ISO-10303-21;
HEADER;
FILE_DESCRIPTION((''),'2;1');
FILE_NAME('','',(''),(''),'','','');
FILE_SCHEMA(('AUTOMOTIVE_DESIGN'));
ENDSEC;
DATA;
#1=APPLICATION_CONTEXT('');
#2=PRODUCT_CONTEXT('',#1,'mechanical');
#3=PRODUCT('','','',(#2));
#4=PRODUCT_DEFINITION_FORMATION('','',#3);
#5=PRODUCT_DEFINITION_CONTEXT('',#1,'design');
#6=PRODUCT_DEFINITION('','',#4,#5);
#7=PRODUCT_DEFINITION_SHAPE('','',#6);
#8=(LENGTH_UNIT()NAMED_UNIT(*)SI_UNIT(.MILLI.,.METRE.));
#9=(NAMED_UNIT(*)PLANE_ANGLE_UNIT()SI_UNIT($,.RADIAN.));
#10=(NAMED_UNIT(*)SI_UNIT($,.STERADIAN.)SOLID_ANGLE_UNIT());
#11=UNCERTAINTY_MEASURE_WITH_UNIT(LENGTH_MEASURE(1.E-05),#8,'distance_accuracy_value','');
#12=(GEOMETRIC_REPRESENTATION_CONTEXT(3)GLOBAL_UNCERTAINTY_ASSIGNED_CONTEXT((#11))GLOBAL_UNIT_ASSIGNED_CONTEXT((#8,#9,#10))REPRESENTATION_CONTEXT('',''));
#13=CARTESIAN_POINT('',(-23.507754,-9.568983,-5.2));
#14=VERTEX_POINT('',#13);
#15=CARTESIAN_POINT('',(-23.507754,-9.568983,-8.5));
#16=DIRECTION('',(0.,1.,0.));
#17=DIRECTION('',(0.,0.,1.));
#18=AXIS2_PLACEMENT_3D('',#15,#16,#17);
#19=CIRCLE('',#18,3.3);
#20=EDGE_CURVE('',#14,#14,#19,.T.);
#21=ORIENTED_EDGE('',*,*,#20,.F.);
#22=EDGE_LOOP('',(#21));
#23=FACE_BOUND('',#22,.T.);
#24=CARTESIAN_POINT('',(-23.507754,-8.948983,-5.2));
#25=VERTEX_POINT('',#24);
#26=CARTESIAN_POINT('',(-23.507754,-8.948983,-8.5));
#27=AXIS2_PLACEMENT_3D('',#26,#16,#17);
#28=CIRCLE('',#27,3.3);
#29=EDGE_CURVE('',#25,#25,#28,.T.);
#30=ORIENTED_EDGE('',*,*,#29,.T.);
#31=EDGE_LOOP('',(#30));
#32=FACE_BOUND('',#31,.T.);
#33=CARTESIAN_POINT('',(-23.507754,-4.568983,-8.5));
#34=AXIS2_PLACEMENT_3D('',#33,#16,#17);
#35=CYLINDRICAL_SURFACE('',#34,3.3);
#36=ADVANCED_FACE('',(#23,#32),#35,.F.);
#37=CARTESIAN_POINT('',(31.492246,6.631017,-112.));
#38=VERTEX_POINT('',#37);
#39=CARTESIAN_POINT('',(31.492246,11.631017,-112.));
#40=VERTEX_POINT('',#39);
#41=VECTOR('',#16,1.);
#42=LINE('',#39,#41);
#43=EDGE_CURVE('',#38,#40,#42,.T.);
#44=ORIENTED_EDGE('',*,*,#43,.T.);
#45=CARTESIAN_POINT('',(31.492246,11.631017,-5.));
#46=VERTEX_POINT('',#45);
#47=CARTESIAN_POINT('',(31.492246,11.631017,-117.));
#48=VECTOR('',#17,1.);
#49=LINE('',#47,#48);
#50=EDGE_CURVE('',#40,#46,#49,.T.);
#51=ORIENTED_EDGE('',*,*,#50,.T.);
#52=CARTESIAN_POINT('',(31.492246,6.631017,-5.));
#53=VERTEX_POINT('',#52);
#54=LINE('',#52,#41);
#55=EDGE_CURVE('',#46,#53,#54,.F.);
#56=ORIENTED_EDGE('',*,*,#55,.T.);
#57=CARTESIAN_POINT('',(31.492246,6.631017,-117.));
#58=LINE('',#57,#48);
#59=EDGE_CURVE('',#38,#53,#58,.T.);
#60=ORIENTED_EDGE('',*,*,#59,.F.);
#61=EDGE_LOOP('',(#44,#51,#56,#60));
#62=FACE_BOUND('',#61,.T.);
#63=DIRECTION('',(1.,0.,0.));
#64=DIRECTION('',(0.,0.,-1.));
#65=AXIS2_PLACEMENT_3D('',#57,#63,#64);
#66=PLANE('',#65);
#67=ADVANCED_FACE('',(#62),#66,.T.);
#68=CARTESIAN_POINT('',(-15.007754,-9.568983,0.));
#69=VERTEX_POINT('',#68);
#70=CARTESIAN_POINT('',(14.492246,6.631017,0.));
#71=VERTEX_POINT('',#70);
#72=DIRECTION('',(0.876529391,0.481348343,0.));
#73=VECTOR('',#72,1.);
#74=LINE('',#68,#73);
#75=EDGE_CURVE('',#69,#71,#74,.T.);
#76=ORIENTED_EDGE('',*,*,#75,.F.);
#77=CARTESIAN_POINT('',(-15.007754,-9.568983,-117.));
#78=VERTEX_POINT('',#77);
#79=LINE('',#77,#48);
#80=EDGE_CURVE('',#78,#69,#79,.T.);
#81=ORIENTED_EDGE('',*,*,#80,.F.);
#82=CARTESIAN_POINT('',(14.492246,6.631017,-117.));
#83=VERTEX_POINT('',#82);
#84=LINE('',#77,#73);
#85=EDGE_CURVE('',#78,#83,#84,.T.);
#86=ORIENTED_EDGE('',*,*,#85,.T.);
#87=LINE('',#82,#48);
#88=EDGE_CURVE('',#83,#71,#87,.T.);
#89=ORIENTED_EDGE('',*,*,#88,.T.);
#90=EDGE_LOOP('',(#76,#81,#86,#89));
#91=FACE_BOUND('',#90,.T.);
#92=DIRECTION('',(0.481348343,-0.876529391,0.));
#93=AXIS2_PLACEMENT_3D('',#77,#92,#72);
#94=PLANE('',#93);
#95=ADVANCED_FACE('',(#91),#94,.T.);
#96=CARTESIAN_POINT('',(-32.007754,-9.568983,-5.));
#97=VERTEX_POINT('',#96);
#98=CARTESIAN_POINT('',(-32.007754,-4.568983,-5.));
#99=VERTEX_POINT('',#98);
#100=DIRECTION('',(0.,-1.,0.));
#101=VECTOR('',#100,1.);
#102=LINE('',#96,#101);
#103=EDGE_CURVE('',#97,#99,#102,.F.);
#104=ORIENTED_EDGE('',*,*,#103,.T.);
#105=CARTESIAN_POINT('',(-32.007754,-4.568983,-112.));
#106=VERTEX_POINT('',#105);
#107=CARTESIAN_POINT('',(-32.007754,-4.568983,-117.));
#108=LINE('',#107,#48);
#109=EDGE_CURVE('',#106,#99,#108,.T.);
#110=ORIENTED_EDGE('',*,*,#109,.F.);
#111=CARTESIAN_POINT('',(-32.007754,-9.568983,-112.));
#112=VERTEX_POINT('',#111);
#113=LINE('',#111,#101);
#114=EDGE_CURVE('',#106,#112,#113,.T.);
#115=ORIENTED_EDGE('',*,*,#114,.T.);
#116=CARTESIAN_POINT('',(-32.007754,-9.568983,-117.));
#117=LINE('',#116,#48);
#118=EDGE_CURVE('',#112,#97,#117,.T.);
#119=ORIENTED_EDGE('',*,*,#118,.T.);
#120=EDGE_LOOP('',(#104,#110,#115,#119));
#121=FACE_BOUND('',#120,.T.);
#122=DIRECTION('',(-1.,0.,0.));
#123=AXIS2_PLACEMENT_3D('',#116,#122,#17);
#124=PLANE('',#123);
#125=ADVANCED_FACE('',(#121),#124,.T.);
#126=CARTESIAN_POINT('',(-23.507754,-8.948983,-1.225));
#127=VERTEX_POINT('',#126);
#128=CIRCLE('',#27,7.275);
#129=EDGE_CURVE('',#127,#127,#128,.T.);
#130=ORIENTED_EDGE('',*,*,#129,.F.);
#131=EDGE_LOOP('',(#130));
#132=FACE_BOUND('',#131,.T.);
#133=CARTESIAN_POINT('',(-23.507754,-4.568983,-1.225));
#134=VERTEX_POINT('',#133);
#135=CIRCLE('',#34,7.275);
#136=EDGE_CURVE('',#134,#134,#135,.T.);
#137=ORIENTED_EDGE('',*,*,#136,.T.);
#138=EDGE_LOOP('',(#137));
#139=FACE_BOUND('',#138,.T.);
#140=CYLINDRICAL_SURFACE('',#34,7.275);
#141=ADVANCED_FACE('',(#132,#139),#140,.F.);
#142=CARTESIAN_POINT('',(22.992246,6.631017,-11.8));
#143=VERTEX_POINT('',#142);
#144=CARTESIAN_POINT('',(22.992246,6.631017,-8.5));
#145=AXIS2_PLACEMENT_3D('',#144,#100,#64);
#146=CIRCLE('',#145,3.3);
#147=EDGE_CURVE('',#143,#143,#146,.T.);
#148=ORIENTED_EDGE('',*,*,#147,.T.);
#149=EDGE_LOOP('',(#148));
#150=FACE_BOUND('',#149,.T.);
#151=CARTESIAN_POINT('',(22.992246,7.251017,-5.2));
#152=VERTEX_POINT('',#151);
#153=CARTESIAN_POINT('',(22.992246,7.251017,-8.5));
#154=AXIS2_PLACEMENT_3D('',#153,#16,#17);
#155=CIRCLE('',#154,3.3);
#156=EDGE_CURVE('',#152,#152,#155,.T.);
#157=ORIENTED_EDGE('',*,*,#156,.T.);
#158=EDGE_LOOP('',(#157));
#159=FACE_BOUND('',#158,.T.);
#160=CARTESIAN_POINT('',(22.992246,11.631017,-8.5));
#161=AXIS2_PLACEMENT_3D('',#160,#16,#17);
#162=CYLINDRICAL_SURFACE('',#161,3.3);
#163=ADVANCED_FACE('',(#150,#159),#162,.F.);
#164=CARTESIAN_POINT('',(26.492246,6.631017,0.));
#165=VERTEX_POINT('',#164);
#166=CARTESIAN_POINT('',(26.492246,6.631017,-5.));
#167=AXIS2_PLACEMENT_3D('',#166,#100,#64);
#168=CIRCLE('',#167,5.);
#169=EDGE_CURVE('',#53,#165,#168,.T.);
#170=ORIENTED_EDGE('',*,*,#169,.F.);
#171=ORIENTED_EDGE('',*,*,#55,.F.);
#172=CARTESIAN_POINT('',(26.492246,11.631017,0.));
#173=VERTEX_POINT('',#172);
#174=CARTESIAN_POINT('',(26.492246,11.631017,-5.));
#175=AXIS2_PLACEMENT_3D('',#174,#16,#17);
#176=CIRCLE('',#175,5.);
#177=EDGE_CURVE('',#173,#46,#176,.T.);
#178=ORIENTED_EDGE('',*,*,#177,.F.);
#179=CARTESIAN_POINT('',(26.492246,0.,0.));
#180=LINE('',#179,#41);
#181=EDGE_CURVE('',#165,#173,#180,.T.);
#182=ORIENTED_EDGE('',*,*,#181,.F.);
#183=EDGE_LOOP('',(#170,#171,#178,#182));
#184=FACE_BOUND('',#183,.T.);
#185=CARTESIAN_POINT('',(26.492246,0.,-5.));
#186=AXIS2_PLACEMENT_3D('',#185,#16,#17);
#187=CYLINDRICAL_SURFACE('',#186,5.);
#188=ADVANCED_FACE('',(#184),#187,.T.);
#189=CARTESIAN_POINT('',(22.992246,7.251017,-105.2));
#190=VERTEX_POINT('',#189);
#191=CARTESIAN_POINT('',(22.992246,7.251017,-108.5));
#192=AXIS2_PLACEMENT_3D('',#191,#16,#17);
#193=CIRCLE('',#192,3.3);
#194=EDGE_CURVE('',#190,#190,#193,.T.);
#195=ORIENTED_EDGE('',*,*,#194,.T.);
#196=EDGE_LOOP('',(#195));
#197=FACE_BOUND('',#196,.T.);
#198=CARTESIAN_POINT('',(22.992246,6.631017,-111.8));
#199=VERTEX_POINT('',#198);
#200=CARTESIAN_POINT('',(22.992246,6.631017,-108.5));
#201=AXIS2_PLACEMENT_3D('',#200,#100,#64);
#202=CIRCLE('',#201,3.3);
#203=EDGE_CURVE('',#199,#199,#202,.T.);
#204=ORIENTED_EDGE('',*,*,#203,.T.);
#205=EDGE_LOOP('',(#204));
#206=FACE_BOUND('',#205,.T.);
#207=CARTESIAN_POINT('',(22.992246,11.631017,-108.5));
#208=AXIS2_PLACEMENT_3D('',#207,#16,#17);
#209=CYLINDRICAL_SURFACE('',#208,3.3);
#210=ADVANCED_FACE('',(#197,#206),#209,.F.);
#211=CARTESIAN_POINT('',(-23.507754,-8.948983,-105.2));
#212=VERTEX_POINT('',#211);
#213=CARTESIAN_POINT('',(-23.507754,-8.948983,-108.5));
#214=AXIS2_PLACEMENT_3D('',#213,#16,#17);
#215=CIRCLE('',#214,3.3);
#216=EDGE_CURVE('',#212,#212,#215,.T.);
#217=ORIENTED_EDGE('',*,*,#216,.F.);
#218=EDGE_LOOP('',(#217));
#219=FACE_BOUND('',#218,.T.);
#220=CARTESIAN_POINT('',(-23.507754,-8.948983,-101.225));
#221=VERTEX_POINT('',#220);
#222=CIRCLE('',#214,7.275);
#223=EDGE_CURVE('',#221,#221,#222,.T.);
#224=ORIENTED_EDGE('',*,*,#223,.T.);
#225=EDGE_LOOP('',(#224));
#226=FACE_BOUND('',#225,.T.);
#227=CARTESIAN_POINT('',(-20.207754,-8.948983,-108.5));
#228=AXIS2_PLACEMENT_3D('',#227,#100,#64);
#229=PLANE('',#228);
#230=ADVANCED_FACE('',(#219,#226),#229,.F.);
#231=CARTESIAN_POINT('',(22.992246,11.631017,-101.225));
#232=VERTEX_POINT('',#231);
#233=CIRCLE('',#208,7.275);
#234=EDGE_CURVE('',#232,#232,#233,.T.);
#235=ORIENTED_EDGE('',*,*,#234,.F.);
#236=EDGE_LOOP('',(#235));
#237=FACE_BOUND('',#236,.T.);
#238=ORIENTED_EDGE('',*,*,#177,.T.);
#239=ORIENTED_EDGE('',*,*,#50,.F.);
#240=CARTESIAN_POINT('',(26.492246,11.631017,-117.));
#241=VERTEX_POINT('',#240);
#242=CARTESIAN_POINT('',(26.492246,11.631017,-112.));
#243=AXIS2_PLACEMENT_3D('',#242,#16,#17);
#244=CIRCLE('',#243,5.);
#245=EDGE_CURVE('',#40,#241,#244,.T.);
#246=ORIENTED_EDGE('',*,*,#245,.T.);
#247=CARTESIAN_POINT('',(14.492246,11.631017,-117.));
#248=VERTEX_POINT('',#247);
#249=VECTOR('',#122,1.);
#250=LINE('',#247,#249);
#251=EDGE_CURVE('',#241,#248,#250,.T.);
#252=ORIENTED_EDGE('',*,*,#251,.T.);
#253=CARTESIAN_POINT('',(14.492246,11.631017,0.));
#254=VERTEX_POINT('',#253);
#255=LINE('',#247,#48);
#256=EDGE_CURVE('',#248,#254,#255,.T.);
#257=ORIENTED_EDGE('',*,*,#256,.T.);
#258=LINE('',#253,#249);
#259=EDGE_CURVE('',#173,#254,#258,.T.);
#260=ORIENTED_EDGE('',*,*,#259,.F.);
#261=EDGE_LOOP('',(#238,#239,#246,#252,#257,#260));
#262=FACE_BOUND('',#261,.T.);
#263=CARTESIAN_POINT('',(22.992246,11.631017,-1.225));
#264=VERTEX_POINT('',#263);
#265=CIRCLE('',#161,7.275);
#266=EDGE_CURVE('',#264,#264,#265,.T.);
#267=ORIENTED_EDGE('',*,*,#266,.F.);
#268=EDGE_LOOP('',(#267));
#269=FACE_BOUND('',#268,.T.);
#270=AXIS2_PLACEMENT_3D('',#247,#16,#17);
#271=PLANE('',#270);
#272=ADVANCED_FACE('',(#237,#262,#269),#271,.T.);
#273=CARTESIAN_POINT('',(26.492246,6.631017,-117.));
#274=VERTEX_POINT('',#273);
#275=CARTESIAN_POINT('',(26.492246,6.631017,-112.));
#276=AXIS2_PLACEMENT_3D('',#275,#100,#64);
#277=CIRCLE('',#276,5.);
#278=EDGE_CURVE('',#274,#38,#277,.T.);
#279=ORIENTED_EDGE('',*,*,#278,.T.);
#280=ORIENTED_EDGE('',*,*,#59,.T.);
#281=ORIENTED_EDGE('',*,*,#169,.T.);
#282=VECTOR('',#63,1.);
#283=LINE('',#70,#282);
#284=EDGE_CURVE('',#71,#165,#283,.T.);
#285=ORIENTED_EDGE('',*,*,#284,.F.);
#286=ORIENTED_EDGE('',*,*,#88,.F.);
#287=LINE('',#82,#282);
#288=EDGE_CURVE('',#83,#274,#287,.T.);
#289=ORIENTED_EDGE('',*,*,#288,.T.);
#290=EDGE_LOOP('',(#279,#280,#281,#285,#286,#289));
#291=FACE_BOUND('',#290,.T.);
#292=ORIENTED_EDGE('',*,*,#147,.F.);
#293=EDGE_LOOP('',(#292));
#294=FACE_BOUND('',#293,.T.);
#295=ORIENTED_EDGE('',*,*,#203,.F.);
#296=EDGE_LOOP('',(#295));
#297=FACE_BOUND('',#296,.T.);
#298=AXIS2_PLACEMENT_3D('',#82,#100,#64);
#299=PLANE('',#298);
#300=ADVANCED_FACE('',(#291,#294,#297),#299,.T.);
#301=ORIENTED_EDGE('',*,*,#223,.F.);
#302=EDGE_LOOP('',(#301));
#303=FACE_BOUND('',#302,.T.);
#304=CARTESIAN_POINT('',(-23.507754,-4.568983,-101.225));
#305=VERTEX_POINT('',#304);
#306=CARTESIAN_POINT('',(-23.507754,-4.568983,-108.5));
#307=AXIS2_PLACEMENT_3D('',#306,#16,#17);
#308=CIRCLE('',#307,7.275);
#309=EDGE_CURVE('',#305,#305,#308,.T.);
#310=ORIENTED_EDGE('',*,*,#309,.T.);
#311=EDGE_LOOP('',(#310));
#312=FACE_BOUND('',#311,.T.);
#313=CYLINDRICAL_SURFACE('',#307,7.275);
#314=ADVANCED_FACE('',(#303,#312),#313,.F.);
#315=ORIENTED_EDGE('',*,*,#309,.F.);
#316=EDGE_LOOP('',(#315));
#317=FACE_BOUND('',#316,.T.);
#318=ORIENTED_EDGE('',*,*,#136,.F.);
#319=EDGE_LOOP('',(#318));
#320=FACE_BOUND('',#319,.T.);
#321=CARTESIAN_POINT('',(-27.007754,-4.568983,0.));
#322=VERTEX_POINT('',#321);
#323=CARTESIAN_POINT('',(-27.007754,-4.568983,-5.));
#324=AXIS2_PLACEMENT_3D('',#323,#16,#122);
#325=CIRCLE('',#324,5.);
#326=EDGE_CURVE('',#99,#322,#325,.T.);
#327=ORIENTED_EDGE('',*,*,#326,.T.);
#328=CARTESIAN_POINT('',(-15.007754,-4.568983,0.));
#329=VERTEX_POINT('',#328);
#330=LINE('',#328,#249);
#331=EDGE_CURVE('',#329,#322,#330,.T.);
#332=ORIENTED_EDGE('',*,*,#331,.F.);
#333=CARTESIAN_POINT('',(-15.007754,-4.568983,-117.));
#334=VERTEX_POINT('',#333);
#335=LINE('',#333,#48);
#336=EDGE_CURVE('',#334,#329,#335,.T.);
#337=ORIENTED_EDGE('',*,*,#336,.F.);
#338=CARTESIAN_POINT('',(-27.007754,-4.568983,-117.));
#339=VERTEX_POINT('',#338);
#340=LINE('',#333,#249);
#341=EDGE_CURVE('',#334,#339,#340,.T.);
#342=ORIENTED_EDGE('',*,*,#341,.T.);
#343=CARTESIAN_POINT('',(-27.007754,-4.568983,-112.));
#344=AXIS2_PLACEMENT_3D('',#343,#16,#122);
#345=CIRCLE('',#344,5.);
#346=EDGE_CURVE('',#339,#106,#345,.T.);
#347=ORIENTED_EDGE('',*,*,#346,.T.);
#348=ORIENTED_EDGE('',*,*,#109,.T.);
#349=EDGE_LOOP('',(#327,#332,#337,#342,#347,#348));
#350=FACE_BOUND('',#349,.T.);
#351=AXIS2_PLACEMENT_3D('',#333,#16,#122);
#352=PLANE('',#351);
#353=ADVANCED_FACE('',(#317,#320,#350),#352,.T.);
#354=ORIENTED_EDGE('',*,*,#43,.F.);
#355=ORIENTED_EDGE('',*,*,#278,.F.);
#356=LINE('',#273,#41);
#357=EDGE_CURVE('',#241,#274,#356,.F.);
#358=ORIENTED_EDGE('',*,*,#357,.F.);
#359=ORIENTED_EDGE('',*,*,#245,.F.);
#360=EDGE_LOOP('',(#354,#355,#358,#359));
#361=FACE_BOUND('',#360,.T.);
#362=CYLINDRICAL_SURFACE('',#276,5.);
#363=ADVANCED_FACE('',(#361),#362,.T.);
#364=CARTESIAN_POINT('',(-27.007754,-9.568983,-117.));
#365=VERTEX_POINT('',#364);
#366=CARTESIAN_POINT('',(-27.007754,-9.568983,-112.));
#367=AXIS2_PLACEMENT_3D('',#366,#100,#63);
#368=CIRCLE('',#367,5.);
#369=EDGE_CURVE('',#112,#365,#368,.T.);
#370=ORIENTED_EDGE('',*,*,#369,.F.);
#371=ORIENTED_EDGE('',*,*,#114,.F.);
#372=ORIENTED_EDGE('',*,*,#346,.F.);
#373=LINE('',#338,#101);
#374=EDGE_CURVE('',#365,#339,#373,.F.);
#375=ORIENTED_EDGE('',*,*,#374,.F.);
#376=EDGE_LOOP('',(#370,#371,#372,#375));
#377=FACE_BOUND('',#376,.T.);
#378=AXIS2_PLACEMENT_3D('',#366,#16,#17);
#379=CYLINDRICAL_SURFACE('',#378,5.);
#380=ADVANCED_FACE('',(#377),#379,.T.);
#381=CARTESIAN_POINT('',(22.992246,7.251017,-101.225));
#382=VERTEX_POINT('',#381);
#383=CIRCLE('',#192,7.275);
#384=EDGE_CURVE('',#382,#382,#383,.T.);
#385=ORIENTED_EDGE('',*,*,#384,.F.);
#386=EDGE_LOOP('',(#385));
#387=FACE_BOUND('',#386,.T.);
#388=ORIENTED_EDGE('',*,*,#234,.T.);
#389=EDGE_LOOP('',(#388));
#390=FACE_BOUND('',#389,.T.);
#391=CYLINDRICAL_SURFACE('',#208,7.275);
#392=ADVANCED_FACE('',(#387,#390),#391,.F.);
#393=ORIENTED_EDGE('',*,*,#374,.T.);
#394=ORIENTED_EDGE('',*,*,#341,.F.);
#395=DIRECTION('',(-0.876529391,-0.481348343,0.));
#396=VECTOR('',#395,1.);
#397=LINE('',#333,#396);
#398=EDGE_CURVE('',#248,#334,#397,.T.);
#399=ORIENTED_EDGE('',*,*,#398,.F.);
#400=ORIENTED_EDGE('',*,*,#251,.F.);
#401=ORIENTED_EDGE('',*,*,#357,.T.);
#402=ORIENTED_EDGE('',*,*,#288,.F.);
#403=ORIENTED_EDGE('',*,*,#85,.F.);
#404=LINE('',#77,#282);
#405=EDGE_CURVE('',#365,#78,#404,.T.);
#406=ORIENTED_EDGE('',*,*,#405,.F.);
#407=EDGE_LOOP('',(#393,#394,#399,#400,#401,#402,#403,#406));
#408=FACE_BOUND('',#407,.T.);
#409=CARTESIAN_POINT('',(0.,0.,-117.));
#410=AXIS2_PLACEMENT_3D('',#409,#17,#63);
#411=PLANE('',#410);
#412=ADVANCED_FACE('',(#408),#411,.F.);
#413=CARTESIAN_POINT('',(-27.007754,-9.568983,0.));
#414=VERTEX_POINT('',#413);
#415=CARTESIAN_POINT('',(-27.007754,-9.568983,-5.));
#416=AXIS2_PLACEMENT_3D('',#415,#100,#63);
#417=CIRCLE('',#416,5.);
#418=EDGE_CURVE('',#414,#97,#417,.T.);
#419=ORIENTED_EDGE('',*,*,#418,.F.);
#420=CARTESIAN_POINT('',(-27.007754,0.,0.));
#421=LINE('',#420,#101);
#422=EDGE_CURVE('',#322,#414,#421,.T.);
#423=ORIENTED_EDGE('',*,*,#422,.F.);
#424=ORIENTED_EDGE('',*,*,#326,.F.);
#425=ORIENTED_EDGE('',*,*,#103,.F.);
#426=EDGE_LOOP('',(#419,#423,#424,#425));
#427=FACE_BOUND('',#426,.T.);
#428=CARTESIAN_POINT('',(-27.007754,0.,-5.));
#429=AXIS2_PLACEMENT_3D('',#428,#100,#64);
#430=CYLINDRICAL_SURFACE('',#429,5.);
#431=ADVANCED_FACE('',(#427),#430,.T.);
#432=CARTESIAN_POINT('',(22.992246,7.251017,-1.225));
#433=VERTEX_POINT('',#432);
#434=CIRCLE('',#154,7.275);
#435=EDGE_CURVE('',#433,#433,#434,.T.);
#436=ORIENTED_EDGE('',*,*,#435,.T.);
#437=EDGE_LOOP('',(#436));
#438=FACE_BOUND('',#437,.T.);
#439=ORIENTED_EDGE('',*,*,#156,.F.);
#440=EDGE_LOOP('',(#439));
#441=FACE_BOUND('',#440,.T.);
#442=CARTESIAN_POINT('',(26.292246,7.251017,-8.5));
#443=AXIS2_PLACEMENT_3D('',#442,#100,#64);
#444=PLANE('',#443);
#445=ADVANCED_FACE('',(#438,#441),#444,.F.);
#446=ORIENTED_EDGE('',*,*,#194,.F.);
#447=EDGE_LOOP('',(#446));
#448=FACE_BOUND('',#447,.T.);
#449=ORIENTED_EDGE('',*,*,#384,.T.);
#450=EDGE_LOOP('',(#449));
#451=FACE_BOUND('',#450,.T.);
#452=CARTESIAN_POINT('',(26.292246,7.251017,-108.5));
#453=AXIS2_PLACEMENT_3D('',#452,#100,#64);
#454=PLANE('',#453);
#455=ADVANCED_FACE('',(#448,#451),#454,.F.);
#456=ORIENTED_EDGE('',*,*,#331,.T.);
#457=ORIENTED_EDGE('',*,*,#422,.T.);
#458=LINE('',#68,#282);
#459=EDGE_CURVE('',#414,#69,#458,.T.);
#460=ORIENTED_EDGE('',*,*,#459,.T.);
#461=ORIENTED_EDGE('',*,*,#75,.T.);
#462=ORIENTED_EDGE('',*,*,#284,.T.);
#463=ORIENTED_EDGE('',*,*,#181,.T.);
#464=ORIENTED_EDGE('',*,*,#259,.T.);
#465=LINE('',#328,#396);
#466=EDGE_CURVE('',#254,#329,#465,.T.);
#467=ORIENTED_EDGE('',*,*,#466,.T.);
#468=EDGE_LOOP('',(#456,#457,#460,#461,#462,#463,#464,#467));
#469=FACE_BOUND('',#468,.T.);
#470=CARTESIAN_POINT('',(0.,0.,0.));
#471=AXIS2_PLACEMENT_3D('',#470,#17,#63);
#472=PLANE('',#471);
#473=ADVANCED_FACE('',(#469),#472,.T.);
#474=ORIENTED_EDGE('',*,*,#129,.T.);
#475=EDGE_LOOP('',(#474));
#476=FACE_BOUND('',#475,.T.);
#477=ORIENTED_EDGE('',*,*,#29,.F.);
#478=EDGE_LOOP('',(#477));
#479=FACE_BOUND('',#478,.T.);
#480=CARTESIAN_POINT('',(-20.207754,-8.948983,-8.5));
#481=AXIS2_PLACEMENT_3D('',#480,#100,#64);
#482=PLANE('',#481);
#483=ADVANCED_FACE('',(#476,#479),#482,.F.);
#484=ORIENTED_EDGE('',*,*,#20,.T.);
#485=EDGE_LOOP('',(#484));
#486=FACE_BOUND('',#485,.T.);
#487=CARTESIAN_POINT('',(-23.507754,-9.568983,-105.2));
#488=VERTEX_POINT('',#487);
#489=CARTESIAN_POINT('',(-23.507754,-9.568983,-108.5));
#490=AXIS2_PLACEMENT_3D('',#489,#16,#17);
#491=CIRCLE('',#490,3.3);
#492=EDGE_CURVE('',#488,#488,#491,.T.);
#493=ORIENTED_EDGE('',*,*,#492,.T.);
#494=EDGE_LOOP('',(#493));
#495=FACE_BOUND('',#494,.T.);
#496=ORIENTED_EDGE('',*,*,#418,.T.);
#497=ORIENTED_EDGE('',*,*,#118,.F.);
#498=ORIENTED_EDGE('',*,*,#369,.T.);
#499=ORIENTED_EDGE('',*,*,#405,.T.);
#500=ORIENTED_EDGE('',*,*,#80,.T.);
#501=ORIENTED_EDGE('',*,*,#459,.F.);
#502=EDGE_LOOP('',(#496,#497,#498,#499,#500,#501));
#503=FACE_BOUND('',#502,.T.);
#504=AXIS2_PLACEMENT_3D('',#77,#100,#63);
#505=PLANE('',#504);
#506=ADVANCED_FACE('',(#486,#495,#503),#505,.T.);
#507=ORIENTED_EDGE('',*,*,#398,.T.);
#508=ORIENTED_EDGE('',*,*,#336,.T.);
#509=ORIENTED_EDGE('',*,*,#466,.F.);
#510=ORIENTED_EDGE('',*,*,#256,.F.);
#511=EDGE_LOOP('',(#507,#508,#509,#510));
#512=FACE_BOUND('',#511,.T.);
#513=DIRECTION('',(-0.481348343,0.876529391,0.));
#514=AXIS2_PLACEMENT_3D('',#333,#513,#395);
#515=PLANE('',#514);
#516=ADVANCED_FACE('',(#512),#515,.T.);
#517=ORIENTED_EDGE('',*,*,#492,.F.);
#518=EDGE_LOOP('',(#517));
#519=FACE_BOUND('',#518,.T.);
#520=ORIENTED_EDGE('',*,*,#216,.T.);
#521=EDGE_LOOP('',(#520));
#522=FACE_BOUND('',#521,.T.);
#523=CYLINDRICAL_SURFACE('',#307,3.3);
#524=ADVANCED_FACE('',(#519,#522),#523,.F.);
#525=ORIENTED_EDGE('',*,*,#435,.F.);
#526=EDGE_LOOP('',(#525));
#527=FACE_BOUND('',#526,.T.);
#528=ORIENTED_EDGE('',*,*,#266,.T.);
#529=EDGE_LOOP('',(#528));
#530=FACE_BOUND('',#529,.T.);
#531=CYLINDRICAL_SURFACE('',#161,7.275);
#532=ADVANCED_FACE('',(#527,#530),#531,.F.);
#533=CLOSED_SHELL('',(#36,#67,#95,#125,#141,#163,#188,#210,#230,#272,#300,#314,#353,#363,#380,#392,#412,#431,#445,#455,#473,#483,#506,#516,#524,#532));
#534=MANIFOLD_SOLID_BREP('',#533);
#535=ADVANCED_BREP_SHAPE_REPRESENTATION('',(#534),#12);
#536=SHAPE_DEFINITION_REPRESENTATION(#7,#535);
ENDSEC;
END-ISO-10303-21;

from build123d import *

# Parameters (mm, degrees)
COVER_BODY_DEPTH                        = 117
CBORE_FOR_M6_HEX_HEAD_BOLT1_D           = 6.6
CBORE_FOR_M6_HEX_HEAD_BOLT1_CBORE_D     = 14.55
CBORE_FOR_M6_HEX_HEAD_BOLT1_CBORE_DEPTH = 4.38
CBORE_FOR_M6_HEX_HEAD_BOLT2_D           = 6.6
CBORE_FOR_M6_HEX_HEAD_BOLT2_CBORE_D     = 14.55
CBORE_FOR_M6_HEX_HEAD_BOLT2_CBORE_DEPTH = 4.38
FILLET1_R                               = 5


with BuildPart() as part:
    # Sketch1 → Cover Body (new body)
    with BuildSketch(Plane.XY):
        Polygon((-15.007754177, -4.568983292), (14.492245823, 11.631016708), (31.492245823, 11.631016708), (31.492245823, 6.631016708), (14.492245823, 6.631016708), (-15.007754177, -9.568983292), (-32.007754177, -9.568983292), (-32.007754177, -4.568983292), align=None)
    extrude(amount=-COVER_BODY_DEPTH)

    # CBORE for M6 Hex Head Bolt1 (through all)
    with Locations(Plane(origin=(0, -4.568983292, 0), x_dir=(1, 0, 0), z_dir=(0, 1, 0))):
        with Locations((-23.507754177, 108.5), (-23.507754177, 8.5)):
            CounterBoreHole(CBORE_FOR_M6_HEX_HEAD_BOLT1_D / 2, CBORE_FOR_M6_HEX_HEAD_BOLT1_CBORE_D / 2, CBORE_FOR_M6_HEX_HEAD_BOLT1_CBORE_DEPTH)

    # CBORE for M6 Hex Head Bolt2 (through all)
    with Locations(Plane(origin=(0, 11.631016708, 0), x_dir=(1, 0, 0), z_dir=(0, 1, 0))):
        with Locations((22.992245823, 8.5), (22.992245823, 108.5)):
            CounterBoreHole(CBORE_FOR_M6_HEX_HEAD_BOLT2_D / 2, CBORE_FOR_M6_HEX_HEAD_BOLT2_CBORE_D / 2, CBORE_FOR_M6_HEX_HEAD_BOLT2_CBORE_DEPTH)

    # Fillet1
    fillet1_edges = [part.edges().sort_by_distance(p)[0] for p in [
        (31.492245823, 9.131016708, 0),
        (31.492245823, 9.131016708, -117),
        (-32.007754177, -7.068983292, -117),
        (-32.007754177, -7.068983292, 0),
    ]]
    fillet(fillet1_edges, radius=FILLET1_R)


solid = part.part
